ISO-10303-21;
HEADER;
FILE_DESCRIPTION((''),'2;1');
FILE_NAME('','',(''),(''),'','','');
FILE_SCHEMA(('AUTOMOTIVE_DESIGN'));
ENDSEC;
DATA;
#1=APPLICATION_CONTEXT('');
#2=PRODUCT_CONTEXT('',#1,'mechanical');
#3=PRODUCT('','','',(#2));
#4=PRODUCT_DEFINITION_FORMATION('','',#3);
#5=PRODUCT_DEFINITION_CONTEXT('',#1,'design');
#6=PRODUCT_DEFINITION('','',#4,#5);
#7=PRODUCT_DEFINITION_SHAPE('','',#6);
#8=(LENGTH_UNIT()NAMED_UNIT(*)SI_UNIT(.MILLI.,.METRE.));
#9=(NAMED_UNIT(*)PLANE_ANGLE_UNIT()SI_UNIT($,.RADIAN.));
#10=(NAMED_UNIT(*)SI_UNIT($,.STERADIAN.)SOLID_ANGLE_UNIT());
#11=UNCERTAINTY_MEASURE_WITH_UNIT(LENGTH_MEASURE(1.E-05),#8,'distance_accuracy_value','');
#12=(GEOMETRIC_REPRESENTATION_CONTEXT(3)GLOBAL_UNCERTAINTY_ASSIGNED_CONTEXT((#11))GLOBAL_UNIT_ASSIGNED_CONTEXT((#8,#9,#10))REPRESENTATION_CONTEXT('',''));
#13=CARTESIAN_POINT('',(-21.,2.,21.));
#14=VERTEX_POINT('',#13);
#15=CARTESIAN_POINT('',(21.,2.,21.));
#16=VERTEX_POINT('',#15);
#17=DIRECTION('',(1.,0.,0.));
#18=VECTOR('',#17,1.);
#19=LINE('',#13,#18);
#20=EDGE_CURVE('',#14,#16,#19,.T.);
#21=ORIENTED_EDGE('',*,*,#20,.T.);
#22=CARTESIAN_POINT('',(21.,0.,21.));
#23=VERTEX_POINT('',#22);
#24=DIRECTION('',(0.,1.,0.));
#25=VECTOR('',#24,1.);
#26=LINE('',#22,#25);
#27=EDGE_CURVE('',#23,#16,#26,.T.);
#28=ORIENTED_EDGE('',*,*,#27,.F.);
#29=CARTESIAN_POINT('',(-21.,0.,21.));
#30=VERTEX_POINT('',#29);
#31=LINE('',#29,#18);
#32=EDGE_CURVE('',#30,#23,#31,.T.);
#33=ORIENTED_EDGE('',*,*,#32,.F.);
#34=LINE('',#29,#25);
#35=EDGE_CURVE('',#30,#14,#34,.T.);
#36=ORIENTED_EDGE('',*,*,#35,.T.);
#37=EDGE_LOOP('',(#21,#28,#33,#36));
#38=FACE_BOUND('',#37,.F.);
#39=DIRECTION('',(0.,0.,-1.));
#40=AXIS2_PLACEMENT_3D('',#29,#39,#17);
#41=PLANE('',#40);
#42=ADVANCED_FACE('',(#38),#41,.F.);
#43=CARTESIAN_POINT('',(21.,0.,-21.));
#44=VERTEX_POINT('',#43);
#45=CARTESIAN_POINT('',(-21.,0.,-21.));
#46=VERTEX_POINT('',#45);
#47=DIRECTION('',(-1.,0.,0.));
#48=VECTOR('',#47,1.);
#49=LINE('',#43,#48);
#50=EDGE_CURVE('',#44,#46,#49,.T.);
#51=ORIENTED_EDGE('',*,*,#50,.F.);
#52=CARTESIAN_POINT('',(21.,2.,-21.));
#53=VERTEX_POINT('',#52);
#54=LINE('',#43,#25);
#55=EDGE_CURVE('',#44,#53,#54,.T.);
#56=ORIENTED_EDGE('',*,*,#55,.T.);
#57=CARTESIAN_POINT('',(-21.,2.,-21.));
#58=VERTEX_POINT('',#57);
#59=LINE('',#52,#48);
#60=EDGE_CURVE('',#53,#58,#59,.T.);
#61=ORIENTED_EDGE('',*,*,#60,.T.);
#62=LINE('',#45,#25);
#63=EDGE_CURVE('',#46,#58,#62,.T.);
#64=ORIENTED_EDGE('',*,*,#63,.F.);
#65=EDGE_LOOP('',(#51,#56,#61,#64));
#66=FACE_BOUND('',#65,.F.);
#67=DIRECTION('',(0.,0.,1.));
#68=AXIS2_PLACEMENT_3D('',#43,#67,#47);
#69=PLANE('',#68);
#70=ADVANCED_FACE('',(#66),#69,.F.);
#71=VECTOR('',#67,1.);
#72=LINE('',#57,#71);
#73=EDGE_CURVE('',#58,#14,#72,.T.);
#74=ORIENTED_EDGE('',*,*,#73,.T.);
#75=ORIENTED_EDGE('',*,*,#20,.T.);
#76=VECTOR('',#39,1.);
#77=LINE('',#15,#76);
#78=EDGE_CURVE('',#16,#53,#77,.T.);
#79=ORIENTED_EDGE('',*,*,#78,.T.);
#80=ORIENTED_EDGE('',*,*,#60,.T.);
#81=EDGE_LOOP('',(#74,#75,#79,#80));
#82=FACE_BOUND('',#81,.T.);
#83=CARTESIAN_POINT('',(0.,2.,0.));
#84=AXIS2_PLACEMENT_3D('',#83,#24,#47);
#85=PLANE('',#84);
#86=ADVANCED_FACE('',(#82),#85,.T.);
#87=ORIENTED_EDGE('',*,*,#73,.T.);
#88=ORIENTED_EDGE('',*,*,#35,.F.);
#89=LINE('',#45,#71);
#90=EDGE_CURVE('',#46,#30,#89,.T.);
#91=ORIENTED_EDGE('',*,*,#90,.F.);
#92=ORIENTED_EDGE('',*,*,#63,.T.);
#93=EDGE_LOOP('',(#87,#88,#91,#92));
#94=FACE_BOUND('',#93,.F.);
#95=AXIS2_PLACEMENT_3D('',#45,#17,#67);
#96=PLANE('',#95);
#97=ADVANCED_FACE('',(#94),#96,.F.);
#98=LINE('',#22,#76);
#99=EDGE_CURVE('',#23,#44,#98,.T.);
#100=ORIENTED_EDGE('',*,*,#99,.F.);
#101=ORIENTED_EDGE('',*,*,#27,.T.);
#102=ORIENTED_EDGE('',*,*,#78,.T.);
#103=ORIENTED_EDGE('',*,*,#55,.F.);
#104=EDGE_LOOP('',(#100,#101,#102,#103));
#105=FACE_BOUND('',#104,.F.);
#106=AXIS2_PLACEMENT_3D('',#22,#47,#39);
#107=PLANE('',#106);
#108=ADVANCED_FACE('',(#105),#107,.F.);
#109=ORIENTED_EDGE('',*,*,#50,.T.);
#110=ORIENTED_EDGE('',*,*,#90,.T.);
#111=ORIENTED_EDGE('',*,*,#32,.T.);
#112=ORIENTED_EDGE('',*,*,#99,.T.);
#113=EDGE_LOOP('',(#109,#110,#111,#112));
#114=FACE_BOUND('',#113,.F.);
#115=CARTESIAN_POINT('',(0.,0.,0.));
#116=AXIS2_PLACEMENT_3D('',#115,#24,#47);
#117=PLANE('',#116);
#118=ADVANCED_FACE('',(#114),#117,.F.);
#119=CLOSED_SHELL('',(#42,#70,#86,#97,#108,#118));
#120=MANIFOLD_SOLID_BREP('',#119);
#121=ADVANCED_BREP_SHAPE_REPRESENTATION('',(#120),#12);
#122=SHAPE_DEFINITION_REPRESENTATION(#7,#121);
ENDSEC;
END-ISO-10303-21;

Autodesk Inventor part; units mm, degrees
ref_plane "YZ Plane" through (0, 0, 0) normal (1, 0, 0) x (0, 1, 0)
ref_plane "XZ Plane" through (0, 0, 0) normal (0, 1, 0) x (-1, 0, 0)
ref_plane "XY Plane" through (0, 0, 0) normal (0, 0, 1) x (1, 0, 0)
sketch "スケッチ1" plane through (0, 0, 0) normal (0, 1, 0) x (-1, 0, 0)
  line L0 (21, 21) -> (-21, 21)
  line L1 (-21, 21) -> (-21, -21)
  line L2 (-21, -21) -> (21, -21)
  line L3 (21, -21) -> (21, 21)
  line L4 (21, 21) -> (-21, -21) construction
  line L5 (-21, 21) -> (21, -21) construction
  point P0 (0, 0)
  dimension "d0" = 42
  dimension "d1" = 42
extrude "押し出し1" add sketch "スケッチ1" along normal blind 2
properties part number "mein1"
